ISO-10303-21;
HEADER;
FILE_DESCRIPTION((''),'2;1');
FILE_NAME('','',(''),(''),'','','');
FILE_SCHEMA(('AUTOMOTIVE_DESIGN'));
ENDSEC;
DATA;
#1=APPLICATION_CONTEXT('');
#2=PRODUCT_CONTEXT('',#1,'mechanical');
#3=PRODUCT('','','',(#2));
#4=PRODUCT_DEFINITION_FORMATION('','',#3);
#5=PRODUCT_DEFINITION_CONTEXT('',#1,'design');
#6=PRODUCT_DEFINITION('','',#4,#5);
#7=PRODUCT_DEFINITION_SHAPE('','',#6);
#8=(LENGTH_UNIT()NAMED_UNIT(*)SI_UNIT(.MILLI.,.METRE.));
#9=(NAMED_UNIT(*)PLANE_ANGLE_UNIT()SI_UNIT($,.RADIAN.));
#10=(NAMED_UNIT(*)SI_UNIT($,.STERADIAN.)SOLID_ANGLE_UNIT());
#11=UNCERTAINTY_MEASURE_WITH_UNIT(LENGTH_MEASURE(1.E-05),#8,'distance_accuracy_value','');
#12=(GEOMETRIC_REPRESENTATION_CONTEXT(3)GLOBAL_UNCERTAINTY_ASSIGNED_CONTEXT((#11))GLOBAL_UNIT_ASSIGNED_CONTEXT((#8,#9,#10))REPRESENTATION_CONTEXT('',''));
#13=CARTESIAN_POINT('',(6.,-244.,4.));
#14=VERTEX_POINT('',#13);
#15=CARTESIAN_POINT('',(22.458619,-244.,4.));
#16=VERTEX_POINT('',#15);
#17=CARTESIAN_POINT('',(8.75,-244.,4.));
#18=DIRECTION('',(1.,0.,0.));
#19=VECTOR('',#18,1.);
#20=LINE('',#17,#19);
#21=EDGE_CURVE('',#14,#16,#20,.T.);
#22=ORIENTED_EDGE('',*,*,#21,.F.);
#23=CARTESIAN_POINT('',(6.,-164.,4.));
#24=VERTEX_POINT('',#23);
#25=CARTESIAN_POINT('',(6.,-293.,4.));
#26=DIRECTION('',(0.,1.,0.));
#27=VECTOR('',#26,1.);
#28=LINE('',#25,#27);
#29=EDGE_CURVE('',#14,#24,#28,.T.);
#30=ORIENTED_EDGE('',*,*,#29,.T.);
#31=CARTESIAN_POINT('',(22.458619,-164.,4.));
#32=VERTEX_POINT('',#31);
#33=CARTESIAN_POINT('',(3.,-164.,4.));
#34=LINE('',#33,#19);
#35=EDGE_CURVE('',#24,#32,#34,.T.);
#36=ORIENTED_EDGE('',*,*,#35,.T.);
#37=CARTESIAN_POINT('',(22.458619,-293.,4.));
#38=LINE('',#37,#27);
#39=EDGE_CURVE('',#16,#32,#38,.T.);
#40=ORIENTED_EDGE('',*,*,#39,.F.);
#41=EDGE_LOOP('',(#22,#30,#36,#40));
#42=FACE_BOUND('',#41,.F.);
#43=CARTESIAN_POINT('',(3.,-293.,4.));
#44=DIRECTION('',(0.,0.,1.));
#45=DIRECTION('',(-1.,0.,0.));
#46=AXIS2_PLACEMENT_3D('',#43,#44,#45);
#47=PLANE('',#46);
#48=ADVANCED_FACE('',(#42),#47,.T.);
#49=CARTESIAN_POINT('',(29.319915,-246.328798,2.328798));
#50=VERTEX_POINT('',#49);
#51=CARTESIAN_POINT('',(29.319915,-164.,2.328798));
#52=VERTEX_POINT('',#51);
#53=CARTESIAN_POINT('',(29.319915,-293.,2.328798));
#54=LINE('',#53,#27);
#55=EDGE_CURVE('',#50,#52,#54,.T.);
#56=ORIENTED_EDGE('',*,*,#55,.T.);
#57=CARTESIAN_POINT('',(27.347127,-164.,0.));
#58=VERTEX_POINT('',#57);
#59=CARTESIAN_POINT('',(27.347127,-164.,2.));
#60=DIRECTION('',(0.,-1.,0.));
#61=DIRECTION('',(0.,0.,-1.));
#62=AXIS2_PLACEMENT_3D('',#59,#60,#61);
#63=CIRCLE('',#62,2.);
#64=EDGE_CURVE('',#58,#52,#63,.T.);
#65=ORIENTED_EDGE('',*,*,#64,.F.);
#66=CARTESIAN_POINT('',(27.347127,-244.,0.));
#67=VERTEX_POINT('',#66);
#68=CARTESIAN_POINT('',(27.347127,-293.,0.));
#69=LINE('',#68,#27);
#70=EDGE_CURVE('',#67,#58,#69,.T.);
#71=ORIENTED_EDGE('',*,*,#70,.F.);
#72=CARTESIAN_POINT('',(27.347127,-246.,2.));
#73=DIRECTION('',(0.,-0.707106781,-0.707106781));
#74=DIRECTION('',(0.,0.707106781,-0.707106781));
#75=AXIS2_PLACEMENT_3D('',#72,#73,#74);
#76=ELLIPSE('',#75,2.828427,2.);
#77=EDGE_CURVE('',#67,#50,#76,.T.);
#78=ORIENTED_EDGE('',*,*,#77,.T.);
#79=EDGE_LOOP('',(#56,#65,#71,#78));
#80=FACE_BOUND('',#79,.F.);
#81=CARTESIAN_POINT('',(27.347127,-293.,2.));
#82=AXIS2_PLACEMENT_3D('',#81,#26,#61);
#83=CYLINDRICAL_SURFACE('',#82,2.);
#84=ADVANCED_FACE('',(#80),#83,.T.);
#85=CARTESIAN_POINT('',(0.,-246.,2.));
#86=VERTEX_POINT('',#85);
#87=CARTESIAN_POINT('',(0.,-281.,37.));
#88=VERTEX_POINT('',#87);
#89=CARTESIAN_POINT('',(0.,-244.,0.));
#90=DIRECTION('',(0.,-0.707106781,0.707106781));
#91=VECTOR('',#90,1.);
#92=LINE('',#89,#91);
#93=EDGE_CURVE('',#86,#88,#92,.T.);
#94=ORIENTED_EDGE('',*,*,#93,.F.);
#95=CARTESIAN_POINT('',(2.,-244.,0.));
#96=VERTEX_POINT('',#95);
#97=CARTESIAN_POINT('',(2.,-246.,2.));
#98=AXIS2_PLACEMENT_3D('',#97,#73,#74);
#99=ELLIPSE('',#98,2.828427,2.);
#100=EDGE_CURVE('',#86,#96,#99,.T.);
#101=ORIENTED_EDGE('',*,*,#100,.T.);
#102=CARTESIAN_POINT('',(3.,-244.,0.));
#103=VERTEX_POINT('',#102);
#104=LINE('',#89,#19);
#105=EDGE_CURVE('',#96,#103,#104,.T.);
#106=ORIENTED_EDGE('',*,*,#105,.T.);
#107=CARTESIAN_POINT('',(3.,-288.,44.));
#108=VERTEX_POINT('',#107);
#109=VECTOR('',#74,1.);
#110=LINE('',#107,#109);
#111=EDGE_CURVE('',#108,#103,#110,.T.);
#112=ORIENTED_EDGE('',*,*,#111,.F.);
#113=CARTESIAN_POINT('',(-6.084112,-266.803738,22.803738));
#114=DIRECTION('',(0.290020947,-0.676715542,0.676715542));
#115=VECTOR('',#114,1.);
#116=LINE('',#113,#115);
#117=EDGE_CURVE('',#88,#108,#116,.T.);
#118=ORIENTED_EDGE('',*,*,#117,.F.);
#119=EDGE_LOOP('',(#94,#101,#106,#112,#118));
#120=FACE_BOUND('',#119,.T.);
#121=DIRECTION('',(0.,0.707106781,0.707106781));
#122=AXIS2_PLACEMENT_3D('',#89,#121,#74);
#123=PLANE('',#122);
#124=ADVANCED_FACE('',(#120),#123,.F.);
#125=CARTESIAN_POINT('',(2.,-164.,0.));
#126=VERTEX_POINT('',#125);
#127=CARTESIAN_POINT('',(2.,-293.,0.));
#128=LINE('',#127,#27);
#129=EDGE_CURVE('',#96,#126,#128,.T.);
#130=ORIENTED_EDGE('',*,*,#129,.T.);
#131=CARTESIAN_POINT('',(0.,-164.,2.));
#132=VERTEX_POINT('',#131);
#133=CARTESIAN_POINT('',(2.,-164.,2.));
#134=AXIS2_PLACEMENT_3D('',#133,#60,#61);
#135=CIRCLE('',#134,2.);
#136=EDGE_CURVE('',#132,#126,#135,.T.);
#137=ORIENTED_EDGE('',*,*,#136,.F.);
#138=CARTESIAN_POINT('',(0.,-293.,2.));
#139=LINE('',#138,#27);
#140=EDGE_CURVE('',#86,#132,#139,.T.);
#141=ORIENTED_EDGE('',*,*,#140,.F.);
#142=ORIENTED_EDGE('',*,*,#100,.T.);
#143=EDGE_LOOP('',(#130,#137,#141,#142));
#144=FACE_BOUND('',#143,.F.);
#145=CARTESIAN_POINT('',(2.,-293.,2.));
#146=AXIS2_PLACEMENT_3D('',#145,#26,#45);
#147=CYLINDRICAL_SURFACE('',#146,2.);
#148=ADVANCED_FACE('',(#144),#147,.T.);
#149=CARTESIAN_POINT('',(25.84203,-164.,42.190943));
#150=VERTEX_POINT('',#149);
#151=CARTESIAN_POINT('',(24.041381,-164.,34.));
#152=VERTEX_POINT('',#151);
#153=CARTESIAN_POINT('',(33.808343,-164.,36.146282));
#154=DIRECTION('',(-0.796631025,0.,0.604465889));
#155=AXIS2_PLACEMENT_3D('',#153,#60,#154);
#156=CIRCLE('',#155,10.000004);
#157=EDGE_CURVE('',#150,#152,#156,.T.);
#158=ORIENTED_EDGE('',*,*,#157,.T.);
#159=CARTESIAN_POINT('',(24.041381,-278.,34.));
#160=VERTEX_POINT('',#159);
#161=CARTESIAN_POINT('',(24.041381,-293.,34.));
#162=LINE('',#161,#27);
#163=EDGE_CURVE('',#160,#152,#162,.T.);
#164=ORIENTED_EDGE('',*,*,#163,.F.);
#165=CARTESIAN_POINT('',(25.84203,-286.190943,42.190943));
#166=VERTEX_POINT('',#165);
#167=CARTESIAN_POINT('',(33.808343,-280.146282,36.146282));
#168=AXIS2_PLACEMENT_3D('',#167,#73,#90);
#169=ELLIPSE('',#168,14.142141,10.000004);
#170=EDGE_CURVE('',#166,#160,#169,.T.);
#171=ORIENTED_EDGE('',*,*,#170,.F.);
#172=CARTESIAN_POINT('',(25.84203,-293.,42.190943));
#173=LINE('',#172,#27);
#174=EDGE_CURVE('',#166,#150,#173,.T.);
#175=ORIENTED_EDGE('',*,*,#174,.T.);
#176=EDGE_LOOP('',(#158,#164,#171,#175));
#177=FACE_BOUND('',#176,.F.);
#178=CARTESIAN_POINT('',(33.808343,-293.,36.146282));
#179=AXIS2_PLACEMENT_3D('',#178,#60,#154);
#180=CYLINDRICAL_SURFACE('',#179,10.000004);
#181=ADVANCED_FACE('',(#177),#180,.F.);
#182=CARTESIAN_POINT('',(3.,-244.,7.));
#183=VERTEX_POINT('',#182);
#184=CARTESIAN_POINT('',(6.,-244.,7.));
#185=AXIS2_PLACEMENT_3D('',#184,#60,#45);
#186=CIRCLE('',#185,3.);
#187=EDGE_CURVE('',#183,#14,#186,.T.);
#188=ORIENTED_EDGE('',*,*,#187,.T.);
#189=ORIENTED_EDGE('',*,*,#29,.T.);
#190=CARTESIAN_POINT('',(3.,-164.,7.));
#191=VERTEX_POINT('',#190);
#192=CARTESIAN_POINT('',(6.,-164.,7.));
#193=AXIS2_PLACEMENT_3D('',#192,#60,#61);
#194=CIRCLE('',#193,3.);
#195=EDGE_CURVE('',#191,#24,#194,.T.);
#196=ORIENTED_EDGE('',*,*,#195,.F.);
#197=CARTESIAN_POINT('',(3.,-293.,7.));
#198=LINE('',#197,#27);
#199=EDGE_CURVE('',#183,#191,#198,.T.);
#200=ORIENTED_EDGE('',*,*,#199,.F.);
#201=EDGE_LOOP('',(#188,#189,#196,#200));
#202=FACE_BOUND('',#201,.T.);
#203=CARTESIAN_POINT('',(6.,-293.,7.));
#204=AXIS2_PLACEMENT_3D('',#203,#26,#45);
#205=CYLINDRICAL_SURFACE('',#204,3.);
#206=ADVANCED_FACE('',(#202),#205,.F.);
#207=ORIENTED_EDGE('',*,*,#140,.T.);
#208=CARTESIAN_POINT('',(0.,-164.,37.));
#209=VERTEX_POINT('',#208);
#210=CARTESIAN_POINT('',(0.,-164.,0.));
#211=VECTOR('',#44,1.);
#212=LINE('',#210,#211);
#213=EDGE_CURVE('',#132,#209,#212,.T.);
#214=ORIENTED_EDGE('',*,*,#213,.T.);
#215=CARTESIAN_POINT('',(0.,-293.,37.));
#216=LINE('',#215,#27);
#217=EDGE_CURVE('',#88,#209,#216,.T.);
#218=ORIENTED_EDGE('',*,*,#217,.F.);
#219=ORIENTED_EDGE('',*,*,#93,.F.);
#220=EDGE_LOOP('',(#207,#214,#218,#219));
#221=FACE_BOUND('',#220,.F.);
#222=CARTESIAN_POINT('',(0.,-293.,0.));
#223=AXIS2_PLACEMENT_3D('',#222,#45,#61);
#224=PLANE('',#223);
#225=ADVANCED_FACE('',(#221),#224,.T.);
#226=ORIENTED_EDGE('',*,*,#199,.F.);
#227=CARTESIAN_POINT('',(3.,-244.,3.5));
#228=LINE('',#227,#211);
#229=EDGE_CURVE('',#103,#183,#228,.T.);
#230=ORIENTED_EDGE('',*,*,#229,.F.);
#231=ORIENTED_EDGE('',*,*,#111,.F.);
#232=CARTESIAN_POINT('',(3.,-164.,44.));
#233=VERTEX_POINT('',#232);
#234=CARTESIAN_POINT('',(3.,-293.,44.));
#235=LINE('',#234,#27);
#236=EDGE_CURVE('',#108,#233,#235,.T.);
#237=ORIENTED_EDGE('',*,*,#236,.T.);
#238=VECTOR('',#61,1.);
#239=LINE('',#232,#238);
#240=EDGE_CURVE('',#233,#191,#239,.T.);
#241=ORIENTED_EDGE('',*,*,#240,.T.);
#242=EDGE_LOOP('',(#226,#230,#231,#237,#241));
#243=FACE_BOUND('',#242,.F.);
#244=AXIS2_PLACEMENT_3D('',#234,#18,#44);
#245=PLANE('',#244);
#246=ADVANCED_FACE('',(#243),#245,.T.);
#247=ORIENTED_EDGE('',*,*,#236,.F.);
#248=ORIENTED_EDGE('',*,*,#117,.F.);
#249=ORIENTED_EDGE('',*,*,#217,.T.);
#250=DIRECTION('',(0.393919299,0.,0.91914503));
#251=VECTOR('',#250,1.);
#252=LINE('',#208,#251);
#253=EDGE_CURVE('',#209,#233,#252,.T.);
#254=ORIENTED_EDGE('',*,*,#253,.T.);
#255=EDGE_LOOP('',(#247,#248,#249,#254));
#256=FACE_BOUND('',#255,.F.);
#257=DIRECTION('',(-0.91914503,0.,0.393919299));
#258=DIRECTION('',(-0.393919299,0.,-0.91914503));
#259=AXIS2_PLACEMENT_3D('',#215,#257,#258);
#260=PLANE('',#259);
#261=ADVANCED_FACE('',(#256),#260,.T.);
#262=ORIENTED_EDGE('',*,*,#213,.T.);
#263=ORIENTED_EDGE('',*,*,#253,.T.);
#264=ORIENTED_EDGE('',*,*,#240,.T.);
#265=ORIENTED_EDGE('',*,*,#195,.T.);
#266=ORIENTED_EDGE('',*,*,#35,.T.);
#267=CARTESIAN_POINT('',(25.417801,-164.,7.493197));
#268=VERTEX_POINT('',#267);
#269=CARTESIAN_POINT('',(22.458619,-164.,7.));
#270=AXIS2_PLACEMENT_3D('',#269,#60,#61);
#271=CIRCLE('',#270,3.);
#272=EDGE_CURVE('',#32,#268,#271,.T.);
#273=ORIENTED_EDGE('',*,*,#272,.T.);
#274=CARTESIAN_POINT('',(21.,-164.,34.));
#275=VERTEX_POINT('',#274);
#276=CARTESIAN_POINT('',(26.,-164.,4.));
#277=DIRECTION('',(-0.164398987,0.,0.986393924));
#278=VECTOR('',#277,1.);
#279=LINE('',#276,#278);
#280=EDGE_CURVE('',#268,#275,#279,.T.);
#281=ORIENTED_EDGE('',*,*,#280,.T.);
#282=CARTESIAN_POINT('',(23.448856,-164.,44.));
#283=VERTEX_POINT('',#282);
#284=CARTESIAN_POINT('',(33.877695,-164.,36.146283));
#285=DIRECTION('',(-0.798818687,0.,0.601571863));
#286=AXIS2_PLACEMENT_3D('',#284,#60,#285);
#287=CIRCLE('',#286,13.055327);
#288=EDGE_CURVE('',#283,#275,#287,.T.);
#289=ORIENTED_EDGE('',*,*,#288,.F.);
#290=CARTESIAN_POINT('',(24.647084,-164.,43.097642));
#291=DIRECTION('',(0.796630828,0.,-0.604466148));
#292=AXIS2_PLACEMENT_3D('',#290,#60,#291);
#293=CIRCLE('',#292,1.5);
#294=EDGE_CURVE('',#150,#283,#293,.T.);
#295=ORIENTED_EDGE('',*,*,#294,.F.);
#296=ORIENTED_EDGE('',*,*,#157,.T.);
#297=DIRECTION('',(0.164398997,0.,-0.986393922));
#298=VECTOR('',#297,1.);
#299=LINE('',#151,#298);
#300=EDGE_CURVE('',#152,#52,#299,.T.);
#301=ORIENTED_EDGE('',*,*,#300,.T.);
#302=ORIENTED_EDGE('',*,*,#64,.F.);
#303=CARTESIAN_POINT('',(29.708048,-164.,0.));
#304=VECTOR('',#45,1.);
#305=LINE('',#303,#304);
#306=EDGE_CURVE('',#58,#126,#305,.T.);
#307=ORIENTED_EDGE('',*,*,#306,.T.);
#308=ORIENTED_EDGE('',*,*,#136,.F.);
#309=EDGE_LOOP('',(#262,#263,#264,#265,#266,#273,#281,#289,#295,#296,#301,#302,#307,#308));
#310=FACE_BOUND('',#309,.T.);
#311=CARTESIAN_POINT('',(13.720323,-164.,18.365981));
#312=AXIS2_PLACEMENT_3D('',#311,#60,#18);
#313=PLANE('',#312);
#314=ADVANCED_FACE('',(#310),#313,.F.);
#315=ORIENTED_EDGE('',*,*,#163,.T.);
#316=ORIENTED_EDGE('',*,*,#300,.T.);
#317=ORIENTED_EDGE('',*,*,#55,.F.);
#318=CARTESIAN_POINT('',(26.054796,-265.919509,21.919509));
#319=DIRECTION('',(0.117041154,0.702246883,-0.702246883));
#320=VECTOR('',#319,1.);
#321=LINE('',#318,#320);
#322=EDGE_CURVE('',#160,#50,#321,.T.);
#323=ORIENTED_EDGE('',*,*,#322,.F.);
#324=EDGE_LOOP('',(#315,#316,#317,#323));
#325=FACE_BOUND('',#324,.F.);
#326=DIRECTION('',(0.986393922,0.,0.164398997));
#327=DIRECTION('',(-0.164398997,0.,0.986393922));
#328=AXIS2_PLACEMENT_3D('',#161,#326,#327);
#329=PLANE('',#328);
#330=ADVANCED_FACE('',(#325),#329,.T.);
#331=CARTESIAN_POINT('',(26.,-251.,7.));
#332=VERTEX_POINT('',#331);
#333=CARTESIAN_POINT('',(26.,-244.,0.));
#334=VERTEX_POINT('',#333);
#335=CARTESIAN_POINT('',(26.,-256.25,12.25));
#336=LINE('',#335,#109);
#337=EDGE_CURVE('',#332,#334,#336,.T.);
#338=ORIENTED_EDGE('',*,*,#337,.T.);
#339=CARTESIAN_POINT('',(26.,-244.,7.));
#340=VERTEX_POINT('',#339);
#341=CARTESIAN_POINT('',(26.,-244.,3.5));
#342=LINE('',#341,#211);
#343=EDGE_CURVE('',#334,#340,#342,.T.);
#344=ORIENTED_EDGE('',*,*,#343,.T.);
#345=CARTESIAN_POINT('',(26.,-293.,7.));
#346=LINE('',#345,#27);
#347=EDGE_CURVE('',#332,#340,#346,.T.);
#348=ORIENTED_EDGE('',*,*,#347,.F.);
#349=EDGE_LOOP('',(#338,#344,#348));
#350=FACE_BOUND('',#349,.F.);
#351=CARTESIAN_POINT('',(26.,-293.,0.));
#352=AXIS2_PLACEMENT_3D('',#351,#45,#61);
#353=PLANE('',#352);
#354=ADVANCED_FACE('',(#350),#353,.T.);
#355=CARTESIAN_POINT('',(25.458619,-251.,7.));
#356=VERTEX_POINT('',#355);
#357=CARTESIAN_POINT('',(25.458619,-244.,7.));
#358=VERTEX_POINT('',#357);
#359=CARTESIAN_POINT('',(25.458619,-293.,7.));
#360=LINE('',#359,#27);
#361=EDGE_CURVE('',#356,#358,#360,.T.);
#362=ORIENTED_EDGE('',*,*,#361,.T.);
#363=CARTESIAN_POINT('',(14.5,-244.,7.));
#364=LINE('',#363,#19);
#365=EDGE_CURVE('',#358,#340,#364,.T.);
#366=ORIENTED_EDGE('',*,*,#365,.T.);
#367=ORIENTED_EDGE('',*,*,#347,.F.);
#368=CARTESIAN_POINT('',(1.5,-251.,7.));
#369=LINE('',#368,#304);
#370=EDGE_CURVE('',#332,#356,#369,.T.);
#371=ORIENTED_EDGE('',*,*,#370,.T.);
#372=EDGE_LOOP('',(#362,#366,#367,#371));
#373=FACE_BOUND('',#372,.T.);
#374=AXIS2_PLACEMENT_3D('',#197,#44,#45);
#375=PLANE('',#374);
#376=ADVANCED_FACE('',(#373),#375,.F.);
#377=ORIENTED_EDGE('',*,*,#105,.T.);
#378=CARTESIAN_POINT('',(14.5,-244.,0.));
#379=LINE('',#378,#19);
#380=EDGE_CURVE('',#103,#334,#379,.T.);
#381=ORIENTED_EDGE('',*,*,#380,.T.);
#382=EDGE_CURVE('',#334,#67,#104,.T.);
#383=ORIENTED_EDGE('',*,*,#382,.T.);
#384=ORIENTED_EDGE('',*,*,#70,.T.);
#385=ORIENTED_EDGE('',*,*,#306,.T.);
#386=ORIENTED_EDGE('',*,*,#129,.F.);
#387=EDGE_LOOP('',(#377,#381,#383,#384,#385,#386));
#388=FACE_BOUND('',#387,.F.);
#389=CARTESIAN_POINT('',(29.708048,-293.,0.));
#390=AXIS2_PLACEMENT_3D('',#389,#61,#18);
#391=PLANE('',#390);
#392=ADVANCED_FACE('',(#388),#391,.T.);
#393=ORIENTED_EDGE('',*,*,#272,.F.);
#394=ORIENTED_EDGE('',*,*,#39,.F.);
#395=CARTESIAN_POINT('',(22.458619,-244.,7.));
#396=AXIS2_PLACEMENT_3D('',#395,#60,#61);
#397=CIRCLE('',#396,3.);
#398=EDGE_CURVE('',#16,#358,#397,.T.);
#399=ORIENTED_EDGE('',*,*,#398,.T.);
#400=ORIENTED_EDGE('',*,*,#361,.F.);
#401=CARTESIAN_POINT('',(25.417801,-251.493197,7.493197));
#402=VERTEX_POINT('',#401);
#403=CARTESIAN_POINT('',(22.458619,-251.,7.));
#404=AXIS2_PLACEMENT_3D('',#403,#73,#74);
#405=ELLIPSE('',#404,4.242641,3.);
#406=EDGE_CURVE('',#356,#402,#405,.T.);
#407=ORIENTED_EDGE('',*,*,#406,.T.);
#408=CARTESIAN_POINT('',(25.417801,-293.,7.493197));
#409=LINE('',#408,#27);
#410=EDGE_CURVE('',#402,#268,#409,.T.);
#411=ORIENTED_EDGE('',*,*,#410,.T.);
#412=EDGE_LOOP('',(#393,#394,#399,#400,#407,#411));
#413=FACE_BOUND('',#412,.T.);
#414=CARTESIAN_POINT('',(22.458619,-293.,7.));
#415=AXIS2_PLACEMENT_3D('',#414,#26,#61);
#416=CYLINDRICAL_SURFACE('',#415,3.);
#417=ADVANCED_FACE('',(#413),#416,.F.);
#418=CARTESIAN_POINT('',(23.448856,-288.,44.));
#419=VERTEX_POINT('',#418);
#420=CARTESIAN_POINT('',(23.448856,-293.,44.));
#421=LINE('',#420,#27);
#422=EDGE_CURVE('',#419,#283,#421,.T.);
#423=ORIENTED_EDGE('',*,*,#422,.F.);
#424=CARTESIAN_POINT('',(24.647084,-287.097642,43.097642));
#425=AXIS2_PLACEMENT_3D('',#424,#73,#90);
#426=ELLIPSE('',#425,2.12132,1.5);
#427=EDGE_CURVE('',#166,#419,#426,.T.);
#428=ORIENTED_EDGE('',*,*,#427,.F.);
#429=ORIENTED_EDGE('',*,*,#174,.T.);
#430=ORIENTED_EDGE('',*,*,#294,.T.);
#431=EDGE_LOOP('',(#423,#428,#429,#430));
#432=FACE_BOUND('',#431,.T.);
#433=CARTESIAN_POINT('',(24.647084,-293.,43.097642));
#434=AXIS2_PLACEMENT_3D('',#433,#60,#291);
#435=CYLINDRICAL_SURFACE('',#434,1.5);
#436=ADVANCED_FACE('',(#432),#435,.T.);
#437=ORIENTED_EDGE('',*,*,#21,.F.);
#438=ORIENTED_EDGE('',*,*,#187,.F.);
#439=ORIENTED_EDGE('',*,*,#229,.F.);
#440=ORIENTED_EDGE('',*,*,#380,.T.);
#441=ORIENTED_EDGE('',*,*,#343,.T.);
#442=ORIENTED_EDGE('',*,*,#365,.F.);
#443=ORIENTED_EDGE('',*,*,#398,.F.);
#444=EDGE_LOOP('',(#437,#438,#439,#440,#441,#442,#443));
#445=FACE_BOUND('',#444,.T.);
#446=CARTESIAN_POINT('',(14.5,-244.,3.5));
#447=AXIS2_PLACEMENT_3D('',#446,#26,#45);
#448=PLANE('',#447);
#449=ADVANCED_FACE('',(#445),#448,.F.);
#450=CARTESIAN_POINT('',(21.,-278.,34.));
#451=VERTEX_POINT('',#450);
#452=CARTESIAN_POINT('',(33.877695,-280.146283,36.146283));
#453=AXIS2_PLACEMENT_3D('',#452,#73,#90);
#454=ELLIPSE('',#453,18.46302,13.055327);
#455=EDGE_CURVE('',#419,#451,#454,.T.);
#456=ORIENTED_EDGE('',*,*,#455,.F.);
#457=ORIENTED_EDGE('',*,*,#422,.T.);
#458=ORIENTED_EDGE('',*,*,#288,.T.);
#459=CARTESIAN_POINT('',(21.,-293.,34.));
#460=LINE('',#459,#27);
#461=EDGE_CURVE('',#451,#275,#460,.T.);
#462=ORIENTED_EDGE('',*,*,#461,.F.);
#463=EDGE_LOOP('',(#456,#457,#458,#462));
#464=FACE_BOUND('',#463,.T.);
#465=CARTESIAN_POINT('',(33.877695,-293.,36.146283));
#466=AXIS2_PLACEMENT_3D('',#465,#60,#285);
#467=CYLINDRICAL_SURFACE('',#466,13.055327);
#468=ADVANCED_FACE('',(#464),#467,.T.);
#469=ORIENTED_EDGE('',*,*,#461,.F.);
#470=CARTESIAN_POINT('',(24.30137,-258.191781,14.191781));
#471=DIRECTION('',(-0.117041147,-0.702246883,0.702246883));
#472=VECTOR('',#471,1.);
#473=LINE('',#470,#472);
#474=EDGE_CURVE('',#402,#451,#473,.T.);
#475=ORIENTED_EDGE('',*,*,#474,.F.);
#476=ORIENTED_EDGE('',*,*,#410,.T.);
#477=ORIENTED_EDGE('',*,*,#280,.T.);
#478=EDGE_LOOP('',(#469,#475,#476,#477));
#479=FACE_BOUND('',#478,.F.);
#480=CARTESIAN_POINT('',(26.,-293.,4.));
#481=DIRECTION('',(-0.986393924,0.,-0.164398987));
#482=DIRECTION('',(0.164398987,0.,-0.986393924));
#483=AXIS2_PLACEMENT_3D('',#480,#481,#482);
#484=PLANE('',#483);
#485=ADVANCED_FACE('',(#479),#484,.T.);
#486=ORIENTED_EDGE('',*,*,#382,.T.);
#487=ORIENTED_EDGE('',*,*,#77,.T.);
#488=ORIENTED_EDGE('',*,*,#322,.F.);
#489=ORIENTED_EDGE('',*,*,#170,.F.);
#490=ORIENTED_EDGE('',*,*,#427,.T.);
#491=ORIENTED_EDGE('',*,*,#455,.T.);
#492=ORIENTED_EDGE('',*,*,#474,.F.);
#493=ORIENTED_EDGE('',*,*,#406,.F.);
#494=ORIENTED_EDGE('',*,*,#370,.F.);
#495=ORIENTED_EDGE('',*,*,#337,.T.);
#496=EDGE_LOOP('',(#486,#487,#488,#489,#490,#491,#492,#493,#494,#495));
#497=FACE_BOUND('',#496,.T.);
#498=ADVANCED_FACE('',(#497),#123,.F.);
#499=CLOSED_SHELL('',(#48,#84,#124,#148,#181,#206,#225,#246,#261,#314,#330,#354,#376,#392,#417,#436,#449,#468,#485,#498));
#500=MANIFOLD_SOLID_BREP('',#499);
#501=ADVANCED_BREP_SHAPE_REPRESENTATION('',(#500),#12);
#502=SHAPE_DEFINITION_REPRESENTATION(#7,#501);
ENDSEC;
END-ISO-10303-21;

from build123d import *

# Parameters (mm, degrees)
PAD_DEPTH       = 129
FILLET_R        = 3
FILLET001_R     = 2
POCKET_DEPTH    = 29.348127
SKETCH002_W     = 23
SKETCH002_H     = 7
POCKET001_DEPTH = 49


with BuildPart() as k_rper:
    # Sketch → Pad (new body)
    with BuildSketch(Plane.XZ):
        with BuildLine():
            Line((0, 0), (0, 37))
            Line((0, 37), (3, 44))
            Line((3, 44), (3, 4))
            Line((3, 4), (26, 4))
            Line((26, 4), (21, 34))
            ThreePointArc((23.448856, 44), (21.197055, 39.251589), (21, 34))
            ThreePointArc((25.84203, 42.190943), (25.551614, 44.294231), (23.448856, 44))
            ThreePointArc((25.84203, 42.190943), (24.041555, 38.293355), (24.041381, 34))
            Line((24.041381, 34), (29.708048, 0))
            Line((29.708048, 0), (0, 0))
        make_face()
    extrude(amount=PAD_DEPTH)

    # Fillet
    fillet_edges = [k_rper.edges().sort_by_distance(p)[0] for p in [
        (26, -64.5, 4),
        (3, -64.5, 4),
    ]]
    fillet(fillet_edges, radius=FILLET_R)

    # Fillet001
    fillet001_edges = [k_rper.edges().sort_by_distance(p)[0] for p in [
        (0, -64.5, 0),
        (29.708048, -64.5, 0),
    ]]
    fillet(fillet001_edges, radius=FILLET001_R)

    # Sketch001 (on Face2 of Fillet001) → Pocket (cut, through all)
    with BuildSketch(Plane(origin=(0, 0, 0), x_dir=(0, 0, -1), z_dir=(-1, 0, 0))):
        Polygon((0, 49), (-45, 4), (-45, 0), (0, 0), align=None)
    extrude(amount=-POCKET_DEPTH, mode=Mode.SUBTRACT)

    # Sketch002 → Pocket001 (cut)
    with BuildSketch(Plane.XZ):
        with Locations((14.5, 3.5)):
            Rectangle(SKETCH002_W, SKETCH002_H)
    extrude(amount=POCKET001_DEPTH, mode=Mode.SUBTRACT)


with BuildPart() as part_mirroring:
    # Part__Mirroring: instance of Körper
    add(k_rper.part.mirror(Plane(origin=(0, -129, 2), x_dir=(1, 0, 0), z_dir=(0, 1, 0))))


with BuildPart() as part_mirroring_1:
    # Part__Mirroring placement: moved
    add(part_mirroring.part.moved(Location((0, -35, 0))))


solid = part_mirroring_1.part
